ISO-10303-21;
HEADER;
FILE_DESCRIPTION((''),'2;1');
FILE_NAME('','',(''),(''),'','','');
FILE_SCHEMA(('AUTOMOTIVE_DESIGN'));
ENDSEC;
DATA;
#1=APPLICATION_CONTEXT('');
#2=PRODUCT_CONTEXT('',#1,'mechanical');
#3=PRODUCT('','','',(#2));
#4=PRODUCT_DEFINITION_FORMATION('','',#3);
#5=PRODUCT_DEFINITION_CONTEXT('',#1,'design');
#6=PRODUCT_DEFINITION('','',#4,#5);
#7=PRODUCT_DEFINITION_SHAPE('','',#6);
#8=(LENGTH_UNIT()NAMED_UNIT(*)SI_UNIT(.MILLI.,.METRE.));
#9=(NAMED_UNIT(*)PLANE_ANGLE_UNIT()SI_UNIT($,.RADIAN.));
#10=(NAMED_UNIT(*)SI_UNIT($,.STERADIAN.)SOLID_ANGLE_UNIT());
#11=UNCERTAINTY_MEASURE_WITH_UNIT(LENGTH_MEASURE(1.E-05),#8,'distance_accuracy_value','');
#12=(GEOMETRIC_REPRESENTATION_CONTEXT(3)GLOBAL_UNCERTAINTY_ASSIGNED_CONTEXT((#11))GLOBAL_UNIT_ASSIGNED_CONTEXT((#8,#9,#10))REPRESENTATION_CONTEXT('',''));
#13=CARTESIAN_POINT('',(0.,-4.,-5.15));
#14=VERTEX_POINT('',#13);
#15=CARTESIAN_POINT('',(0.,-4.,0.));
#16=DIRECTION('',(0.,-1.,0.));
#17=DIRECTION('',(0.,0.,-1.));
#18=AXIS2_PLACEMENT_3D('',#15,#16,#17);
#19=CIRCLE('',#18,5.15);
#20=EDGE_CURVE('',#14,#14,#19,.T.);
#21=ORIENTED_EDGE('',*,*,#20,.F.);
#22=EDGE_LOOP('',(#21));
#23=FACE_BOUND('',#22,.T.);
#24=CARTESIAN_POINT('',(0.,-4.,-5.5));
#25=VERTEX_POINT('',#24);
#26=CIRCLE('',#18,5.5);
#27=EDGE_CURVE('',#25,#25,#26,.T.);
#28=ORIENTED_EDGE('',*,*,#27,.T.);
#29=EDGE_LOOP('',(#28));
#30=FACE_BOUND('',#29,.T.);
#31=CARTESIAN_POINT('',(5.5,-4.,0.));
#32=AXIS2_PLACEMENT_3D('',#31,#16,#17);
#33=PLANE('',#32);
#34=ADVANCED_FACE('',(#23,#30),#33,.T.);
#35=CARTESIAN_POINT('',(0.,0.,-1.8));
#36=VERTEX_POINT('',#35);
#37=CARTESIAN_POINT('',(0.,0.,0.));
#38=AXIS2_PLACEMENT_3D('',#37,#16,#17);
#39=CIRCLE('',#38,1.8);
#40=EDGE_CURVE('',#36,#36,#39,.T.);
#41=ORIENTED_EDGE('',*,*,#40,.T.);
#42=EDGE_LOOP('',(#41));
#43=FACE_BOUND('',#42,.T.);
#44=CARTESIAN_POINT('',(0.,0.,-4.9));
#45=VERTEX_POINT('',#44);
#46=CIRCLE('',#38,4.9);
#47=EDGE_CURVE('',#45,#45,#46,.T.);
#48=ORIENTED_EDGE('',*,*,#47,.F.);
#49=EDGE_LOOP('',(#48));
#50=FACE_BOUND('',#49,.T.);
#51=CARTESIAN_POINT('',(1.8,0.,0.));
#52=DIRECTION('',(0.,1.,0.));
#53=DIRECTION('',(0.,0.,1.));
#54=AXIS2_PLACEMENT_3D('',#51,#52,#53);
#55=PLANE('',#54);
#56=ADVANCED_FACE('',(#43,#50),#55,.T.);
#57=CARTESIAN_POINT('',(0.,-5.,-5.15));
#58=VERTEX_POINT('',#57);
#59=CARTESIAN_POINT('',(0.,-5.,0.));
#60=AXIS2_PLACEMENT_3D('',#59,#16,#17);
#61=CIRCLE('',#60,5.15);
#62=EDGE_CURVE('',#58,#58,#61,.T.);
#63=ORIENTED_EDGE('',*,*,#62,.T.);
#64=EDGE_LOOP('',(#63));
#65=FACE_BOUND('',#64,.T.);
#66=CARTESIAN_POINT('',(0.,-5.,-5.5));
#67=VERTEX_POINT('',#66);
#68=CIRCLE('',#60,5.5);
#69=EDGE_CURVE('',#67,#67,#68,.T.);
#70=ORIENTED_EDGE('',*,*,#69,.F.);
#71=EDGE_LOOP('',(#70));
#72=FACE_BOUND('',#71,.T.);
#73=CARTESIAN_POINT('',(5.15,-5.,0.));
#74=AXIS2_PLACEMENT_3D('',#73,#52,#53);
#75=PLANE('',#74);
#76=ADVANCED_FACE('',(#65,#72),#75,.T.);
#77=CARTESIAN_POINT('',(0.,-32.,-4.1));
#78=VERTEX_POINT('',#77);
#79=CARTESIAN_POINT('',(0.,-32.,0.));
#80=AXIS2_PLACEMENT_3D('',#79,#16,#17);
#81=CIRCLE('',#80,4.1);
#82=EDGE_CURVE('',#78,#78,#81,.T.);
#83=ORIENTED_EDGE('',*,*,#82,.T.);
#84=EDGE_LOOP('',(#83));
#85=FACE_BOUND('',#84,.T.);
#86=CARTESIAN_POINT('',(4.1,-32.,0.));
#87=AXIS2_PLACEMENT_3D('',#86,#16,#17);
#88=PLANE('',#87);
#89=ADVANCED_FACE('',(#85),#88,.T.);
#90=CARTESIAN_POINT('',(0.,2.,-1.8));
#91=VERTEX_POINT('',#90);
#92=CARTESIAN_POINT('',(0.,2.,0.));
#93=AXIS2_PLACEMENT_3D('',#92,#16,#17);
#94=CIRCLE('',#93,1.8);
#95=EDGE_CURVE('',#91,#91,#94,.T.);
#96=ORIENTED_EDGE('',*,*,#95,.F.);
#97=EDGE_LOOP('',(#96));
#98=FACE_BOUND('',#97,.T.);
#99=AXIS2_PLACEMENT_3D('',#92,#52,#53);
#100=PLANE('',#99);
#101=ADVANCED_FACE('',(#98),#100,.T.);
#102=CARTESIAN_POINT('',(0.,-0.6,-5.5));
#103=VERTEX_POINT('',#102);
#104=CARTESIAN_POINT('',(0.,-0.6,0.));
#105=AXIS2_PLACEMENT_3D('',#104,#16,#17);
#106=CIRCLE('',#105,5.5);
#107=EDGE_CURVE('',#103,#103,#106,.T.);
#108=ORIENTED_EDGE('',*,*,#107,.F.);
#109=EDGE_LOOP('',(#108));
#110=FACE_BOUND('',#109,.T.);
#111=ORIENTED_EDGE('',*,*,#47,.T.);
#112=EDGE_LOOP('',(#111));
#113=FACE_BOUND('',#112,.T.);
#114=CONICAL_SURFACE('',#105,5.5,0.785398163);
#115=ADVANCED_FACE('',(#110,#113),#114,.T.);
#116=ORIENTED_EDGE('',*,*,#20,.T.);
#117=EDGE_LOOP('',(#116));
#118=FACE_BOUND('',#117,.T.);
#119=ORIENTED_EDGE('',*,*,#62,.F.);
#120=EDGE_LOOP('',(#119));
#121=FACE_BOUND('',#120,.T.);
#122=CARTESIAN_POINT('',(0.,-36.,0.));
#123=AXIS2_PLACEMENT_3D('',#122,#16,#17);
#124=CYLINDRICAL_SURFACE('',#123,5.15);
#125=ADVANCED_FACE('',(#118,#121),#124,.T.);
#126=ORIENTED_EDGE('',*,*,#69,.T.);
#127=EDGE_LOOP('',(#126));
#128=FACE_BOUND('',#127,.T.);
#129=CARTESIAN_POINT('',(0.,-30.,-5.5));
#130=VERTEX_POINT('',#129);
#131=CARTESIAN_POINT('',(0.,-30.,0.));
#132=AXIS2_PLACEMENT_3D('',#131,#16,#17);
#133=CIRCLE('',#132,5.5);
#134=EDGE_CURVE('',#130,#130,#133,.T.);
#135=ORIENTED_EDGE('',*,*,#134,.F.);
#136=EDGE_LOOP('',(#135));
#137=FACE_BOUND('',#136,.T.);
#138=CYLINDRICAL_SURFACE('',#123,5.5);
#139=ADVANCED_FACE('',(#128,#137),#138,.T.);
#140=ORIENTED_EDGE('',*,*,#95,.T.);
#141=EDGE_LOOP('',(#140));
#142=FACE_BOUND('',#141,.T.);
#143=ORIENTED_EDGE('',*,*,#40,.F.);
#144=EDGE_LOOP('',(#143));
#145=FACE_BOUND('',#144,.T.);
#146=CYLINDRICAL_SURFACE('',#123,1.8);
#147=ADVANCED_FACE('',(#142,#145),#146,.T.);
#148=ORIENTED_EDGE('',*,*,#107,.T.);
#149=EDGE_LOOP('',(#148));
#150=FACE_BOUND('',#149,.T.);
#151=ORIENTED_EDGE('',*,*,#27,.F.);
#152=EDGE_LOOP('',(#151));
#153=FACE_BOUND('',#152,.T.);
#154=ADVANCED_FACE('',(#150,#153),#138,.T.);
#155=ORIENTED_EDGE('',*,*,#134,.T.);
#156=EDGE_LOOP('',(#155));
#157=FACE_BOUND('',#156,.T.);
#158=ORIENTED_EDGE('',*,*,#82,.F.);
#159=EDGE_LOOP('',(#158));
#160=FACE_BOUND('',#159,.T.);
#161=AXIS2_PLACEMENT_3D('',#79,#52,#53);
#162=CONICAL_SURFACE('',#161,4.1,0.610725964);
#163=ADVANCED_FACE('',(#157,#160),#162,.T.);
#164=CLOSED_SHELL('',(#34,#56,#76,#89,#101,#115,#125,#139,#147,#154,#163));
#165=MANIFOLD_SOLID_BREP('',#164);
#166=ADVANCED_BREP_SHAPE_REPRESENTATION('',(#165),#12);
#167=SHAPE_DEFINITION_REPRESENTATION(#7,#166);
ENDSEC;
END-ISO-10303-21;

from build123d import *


with BuildPart() as part:
    # Sketch1 → Carcasa_motor_reductora (revolve)
    with BuildSketch(Plane.XY, mode=Mode.PRIVATE) as carcasa_motor_reductora_sk:
        Polygon((0, 2), (1.8, 2), (1.8, 0), (4.9, 0), (5.5, -0.6), (5.5, -4), (5.15, -4), (5.15, -5), (5.5, -5), (5.5, -30), (4.1, -32), (0, -32), align=None)
    revolve(carcasa_motor_reductora_sk.sketch.rotate(Axis((0, -36, 0), (0, 1, 0)), 90), axis=Axis((0, -36, 0), (0, 1, 0)))


solid = part.part
